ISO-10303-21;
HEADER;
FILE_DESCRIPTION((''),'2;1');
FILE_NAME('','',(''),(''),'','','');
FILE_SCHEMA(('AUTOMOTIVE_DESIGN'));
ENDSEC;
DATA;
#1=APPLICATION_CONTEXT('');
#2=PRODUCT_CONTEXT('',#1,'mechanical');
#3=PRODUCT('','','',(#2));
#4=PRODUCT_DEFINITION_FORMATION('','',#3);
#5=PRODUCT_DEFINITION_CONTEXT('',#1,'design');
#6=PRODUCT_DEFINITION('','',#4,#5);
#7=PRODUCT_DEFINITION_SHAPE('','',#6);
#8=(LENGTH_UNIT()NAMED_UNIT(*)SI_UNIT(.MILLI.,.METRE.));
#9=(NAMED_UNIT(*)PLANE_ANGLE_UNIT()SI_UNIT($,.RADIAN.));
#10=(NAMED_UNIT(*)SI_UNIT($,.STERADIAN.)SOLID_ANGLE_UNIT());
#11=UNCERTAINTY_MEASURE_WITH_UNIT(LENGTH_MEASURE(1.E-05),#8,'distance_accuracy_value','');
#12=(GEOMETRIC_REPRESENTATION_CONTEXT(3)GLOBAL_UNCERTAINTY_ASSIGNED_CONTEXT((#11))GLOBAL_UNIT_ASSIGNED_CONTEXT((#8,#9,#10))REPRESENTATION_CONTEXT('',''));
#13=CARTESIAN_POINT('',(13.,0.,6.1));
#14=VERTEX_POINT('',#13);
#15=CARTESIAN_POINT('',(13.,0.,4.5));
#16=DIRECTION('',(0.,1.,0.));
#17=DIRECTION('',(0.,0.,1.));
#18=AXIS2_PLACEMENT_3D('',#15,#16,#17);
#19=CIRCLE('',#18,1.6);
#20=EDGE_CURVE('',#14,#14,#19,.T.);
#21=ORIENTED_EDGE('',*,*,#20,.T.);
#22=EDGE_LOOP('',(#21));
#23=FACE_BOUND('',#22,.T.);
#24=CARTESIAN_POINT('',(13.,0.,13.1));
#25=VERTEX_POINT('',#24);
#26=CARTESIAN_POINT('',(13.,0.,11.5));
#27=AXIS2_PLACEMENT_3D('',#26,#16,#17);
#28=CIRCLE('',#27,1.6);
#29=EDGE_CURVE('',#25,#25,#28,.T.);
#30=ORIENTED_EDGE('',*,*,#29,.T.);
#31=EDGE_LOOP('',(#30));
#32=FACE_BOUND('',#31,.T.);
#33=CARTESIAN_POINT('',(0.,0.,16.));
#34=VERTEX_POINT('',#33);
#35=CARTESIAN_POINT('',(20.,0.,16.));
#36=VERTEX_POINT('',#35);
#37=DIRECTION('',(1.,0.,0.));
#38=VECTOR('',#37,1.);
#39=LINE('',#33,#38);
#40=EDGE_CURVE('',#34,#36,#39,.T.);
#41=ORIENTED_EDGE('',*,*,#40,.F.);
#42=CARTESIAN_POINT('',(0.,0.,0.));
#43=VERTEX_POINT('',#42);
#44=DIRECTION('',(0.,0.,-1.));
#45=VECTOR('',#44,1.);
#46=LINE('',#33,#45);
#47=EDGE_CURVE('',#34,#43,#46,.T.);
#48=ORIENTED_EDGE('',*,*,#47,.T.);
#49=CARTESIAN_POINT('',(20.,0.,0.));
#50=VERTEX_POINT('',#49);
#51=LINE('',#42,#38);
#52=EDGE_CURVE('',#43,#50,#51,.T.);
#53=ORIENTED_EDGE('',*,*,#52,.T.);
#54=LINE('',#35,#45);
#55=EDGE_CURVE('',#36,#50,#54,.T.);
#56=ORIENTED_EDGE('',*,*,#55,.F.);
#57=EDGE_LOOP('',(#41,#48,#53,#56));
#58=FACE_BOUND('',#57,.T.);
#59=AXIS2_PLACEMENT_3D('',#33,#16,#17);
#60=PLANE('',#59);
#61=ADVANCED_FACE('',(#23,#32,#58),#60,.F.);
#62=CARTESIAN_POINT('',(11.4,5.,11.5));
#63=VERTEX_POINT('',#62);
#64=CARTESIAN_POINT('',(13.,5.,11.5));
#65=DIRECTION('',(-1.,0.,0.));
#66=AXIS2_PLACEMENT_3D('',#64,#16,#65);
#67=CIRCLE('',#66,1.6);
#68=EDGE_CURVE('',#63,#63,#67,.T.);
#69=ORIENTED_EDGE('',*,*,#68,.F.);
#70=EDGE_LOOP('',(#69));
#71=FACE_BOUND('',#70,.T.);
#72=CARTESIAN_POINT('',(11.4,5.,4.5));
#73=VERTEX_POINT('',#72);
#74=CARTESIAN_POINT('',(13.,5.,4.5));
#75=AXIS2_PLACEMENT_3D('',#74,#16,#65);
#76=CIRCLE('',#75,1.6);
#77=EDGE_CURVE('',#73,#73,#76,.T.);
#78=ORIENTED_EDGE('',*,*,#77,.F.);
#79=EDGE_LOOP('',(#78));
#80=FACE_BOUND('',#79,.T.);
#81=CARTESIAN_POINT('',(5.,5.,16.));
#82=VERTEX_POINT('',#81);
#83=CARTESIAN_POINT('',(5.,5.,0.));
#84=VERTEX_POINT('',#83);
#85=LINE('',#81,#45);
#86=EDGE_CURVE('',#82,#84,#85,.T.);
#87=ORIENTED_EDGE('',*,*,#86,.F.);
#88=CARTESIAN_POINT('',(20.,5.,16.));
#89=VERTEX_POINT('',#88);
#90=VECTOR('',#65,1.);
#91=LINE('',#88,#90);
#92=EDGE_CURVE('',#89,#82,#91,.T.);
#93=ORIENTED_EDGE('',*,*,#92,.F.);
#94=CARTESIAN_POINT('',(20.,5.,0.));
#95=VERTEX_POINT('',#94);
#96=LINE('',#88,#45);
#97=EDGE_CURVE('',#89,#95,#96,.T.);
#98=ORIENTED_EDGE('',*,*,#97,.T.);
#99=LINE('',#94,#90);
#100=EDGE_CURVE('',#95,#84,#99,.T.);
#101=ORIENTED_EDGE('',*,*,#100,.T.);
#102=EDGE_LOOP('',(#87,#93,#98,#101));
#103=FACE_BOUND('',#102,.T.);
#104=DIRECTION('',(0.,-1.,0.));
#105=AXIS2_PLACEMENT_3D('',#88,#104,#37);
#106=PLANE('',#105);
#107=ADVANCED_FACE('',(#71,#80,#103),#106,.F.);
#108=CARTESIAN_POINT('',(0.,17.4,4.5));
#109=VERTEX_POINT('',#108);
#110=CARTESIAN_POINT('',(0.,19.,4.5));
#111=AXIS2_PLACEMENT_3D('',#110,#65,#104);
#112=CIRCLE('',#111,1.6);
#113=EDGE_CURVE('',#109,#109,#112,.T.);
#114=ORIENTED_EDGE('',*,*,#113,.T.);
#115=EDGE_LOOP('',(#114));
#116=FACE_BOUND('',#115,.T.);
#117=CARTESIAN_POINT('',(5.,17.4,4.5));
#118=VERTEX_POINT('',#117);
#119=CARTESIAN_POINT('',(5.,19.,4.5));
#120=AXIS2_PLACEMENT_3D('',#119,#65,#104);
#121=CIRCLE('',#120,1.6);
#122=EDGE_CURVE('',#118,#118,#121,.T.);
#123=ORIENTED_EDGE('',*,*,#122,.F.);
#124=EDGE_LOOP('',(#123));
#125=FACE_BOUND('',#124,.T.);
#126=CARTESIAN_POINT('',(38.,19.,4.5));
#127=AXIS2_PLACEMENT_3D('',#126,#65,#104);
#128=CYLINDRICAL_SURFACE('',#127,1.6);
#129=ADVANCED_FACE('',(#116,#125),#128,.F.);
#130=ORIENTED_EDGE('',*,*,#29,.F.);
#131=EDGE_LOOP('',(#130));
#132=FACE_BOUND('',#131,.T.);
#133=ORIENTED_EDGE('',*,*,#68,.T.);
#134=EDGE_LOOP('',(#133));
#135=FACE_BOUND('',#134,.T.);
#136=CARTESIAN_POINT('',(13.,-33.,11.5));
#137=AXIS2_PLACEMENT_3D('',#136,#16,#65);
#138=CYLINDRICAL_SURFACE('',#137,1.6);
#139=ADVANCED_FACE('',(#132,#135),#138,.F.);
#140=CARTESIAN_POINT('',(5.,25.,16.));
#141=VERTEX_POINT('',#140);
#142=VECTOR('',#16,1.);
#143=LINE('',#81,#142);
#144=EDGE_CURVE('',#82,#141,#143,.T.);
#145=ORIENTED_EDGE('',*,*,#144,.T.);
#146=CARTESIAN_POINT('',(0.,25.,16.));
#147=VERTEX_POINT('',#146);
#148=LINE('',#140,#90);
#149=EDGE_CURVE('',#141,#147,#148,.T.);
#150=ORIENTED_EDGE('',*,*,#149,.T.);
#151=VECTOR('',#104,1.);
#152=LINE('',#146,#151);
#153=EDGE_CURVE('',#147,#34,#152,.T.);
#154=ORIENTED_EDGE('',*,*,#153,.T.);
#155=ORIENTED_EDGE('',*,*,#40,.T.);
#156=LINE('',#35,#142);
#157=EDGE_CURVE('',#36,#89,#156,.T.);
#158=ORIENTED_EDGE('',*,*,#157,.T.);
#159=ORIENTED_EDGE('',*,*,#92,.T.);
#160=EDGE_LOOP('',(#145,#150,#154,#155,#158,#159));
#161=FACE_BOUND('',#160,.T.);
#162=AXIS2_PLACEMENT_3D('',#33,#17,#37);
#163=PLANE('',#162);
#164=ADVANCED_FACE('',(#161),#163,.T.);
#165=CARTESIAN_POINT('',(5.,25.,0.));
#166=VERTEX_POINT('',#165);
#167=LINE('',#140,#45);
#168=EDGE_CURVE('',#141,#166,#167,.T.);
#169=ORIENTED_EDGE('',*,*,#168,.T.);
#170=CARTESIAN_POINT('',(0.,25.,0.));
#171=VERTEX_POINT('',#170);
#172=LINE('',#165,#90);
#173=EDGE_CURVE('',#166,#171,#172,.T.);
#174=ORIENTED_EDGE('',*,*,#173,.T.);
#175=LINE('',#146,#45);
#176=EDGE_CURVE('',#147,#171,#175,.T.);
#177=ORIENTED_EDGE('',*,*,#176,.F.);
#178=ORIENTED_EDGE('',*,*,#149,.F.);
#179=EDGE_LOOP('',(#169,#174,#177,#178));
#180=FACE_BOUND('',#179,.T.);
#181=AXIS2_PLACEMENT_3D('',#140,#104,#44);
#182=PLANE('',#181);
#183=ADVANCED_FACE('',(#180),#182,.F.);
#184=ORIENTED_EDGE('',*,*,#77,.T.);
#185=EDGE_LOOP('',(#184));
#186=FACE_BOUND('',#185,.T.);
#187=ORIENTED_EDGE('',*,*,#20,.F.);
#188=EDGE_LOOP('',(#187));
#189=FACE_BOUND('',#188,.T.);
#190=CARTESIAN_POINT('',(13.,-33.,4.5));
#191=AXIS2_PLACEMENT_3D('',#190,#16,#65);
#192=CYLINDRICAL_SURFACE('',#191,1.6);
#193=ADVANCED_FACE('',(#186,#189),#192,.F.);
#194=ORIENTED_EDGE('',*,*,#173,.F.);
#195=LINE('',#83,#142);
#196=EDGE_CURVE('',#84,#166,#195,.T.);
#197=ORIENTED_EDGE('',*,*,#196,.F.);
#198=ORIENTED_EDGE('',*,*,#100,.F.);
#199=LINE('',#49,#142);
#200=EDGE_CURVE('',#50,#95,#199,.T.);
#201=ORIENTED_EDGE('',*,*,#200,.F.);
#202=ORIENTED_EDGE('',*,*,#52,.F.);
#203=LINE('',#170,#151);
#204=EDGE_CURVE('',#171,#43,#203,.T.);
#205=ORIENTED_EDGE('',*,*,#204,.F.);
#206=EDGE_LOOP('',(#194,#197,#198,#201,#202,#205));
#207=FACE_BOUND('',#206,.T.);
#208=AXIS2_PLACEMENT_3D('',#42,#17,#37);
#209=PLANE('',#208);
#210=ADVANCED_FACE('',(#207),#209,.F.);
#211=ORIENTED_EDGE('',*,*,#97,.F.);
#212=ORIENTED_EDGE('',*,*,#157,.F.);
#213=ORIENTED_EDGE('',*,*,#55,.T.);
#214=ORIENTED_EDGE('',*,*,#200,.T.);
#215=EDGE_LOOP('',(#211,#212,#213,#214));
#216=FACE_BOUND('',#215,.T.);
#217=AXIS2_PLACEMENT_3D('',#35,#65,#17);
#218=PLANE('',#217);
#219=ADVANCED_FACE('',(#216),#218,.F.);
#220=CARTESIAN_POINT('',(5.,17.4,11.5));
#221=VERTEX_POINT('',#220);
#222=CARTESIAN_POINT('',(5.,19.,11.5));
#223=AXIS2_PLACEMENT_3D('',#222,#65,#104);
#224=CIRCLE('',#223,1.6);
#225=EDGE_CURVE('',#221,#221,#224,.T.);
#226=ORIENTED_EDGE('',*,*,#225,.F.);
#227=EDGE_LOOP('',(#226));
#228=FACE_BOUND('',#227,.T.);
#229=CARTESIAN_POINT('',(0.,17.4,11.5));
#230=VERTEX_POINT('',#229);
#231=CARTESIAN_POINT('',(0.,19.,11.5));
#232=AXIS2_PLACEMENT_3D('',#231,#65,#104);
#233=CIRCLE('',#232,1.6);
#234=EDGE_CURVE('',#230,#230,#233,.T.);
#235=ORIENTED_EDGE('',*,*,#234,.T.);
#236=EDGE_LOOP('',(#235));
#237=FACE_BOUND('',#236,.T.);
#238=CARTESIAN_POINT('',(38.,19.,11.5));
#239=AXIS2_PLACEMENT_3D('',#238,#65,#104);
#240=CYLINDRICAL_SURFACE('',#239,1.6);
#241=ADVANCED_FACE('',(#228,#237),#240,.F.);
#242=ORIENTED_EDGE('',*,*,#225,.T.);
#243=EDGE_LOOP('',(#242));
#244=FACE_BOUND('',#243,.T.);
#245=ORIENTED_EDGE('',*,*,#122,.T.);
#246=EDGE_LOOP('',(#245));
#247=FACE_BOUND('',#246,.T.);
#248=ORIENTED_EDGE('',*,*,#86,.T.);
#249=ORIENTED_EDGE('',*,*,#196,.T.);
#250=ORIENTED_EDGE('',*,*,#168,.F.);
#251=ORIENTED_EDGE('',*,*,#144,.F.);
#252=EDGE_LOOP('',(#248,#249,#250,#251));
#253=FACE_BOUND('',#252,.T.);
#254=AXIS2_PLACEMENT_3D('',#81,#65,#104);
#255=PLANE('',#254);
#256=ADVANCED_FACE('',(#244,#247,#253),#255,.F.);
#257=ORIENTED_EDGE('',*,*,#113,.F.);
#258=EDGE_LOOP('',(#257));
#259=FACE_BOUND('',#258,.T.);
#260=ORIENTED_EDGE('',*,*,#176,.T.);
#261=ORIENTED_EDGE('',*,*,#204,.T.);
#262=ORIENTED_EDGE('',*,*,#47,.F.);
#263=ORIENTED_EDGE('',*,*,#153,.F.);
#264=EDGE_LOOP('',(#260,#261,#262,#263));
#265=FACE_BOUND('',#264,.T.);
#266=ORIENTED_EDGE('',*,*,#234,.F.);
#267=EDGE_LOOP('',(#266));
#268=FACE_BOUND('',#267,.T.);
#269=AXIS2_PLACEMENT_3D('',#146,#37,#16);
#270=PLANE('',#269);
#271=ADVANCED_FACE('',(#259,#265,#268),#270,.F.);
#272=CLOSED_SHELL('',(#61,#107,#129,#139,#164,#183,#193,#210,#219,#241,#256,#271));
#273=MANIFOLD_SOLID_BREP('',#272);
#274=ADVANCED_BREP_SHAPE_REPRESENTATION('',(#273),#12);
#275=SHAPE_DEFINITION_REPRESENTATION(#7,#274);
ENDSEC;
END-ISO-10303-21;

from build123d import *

# Parameters (mm, degrees)
EXTRUDE_1_DEPTH     = 16
SKETCH_4_R          = 1.6
CUT_EXTRUDE_3_DEPTH = 38
SKETCH_5_R          = 1.6
CUT_EXTRUDE_4_DEPTH = 38


with BuildPart() as part:
    # 草图1 → 凸台-拉伸1 (new body)
    with BuildSketch(Plane.XY):
        Polygon((0, 25), (0, 0), (20, 0), (20, 5), (5, 5), (5, 25), align=None)
    extrude(amount=EXTRUDE_1_DEPTH)

    # 草图4 → 切除-拉伸3 (cut)
    with BuildSketch(Plane(origin=(0, 5, 0), x_dir=(1, 0, 0), z_dir=(0, 1, 0))):
        with Locations(Location((13, -4.5, 0), (0, 0, 180))):
            Circle(SKETCH_4_R)
        with Locations(Location((13, -11.5, 0), (0, 0, 180))):
            Circle(SKETCH_4_R)
    extrude(amount=-CUT_EXTRUDE_3_DEPTH, mode=Mode.SUBTRACT)

    # 草图5 → 切除-拉伸4 (cut)
    with BuildSketch(Plane.ZY):
        with Locations(Location((4.5, 19, 0), (0, 0, 270))):
            Circle(SKETCH_5_R)
        with Locations(Location((11.5, 19, 0), (0, 0, 270))):
            Circle(SKETCH_5_R)
    extrude(amount=-CUT_EXTRUDE_4_DEPTH, mode=Mode.SUBTRACT)


solid = part.part
